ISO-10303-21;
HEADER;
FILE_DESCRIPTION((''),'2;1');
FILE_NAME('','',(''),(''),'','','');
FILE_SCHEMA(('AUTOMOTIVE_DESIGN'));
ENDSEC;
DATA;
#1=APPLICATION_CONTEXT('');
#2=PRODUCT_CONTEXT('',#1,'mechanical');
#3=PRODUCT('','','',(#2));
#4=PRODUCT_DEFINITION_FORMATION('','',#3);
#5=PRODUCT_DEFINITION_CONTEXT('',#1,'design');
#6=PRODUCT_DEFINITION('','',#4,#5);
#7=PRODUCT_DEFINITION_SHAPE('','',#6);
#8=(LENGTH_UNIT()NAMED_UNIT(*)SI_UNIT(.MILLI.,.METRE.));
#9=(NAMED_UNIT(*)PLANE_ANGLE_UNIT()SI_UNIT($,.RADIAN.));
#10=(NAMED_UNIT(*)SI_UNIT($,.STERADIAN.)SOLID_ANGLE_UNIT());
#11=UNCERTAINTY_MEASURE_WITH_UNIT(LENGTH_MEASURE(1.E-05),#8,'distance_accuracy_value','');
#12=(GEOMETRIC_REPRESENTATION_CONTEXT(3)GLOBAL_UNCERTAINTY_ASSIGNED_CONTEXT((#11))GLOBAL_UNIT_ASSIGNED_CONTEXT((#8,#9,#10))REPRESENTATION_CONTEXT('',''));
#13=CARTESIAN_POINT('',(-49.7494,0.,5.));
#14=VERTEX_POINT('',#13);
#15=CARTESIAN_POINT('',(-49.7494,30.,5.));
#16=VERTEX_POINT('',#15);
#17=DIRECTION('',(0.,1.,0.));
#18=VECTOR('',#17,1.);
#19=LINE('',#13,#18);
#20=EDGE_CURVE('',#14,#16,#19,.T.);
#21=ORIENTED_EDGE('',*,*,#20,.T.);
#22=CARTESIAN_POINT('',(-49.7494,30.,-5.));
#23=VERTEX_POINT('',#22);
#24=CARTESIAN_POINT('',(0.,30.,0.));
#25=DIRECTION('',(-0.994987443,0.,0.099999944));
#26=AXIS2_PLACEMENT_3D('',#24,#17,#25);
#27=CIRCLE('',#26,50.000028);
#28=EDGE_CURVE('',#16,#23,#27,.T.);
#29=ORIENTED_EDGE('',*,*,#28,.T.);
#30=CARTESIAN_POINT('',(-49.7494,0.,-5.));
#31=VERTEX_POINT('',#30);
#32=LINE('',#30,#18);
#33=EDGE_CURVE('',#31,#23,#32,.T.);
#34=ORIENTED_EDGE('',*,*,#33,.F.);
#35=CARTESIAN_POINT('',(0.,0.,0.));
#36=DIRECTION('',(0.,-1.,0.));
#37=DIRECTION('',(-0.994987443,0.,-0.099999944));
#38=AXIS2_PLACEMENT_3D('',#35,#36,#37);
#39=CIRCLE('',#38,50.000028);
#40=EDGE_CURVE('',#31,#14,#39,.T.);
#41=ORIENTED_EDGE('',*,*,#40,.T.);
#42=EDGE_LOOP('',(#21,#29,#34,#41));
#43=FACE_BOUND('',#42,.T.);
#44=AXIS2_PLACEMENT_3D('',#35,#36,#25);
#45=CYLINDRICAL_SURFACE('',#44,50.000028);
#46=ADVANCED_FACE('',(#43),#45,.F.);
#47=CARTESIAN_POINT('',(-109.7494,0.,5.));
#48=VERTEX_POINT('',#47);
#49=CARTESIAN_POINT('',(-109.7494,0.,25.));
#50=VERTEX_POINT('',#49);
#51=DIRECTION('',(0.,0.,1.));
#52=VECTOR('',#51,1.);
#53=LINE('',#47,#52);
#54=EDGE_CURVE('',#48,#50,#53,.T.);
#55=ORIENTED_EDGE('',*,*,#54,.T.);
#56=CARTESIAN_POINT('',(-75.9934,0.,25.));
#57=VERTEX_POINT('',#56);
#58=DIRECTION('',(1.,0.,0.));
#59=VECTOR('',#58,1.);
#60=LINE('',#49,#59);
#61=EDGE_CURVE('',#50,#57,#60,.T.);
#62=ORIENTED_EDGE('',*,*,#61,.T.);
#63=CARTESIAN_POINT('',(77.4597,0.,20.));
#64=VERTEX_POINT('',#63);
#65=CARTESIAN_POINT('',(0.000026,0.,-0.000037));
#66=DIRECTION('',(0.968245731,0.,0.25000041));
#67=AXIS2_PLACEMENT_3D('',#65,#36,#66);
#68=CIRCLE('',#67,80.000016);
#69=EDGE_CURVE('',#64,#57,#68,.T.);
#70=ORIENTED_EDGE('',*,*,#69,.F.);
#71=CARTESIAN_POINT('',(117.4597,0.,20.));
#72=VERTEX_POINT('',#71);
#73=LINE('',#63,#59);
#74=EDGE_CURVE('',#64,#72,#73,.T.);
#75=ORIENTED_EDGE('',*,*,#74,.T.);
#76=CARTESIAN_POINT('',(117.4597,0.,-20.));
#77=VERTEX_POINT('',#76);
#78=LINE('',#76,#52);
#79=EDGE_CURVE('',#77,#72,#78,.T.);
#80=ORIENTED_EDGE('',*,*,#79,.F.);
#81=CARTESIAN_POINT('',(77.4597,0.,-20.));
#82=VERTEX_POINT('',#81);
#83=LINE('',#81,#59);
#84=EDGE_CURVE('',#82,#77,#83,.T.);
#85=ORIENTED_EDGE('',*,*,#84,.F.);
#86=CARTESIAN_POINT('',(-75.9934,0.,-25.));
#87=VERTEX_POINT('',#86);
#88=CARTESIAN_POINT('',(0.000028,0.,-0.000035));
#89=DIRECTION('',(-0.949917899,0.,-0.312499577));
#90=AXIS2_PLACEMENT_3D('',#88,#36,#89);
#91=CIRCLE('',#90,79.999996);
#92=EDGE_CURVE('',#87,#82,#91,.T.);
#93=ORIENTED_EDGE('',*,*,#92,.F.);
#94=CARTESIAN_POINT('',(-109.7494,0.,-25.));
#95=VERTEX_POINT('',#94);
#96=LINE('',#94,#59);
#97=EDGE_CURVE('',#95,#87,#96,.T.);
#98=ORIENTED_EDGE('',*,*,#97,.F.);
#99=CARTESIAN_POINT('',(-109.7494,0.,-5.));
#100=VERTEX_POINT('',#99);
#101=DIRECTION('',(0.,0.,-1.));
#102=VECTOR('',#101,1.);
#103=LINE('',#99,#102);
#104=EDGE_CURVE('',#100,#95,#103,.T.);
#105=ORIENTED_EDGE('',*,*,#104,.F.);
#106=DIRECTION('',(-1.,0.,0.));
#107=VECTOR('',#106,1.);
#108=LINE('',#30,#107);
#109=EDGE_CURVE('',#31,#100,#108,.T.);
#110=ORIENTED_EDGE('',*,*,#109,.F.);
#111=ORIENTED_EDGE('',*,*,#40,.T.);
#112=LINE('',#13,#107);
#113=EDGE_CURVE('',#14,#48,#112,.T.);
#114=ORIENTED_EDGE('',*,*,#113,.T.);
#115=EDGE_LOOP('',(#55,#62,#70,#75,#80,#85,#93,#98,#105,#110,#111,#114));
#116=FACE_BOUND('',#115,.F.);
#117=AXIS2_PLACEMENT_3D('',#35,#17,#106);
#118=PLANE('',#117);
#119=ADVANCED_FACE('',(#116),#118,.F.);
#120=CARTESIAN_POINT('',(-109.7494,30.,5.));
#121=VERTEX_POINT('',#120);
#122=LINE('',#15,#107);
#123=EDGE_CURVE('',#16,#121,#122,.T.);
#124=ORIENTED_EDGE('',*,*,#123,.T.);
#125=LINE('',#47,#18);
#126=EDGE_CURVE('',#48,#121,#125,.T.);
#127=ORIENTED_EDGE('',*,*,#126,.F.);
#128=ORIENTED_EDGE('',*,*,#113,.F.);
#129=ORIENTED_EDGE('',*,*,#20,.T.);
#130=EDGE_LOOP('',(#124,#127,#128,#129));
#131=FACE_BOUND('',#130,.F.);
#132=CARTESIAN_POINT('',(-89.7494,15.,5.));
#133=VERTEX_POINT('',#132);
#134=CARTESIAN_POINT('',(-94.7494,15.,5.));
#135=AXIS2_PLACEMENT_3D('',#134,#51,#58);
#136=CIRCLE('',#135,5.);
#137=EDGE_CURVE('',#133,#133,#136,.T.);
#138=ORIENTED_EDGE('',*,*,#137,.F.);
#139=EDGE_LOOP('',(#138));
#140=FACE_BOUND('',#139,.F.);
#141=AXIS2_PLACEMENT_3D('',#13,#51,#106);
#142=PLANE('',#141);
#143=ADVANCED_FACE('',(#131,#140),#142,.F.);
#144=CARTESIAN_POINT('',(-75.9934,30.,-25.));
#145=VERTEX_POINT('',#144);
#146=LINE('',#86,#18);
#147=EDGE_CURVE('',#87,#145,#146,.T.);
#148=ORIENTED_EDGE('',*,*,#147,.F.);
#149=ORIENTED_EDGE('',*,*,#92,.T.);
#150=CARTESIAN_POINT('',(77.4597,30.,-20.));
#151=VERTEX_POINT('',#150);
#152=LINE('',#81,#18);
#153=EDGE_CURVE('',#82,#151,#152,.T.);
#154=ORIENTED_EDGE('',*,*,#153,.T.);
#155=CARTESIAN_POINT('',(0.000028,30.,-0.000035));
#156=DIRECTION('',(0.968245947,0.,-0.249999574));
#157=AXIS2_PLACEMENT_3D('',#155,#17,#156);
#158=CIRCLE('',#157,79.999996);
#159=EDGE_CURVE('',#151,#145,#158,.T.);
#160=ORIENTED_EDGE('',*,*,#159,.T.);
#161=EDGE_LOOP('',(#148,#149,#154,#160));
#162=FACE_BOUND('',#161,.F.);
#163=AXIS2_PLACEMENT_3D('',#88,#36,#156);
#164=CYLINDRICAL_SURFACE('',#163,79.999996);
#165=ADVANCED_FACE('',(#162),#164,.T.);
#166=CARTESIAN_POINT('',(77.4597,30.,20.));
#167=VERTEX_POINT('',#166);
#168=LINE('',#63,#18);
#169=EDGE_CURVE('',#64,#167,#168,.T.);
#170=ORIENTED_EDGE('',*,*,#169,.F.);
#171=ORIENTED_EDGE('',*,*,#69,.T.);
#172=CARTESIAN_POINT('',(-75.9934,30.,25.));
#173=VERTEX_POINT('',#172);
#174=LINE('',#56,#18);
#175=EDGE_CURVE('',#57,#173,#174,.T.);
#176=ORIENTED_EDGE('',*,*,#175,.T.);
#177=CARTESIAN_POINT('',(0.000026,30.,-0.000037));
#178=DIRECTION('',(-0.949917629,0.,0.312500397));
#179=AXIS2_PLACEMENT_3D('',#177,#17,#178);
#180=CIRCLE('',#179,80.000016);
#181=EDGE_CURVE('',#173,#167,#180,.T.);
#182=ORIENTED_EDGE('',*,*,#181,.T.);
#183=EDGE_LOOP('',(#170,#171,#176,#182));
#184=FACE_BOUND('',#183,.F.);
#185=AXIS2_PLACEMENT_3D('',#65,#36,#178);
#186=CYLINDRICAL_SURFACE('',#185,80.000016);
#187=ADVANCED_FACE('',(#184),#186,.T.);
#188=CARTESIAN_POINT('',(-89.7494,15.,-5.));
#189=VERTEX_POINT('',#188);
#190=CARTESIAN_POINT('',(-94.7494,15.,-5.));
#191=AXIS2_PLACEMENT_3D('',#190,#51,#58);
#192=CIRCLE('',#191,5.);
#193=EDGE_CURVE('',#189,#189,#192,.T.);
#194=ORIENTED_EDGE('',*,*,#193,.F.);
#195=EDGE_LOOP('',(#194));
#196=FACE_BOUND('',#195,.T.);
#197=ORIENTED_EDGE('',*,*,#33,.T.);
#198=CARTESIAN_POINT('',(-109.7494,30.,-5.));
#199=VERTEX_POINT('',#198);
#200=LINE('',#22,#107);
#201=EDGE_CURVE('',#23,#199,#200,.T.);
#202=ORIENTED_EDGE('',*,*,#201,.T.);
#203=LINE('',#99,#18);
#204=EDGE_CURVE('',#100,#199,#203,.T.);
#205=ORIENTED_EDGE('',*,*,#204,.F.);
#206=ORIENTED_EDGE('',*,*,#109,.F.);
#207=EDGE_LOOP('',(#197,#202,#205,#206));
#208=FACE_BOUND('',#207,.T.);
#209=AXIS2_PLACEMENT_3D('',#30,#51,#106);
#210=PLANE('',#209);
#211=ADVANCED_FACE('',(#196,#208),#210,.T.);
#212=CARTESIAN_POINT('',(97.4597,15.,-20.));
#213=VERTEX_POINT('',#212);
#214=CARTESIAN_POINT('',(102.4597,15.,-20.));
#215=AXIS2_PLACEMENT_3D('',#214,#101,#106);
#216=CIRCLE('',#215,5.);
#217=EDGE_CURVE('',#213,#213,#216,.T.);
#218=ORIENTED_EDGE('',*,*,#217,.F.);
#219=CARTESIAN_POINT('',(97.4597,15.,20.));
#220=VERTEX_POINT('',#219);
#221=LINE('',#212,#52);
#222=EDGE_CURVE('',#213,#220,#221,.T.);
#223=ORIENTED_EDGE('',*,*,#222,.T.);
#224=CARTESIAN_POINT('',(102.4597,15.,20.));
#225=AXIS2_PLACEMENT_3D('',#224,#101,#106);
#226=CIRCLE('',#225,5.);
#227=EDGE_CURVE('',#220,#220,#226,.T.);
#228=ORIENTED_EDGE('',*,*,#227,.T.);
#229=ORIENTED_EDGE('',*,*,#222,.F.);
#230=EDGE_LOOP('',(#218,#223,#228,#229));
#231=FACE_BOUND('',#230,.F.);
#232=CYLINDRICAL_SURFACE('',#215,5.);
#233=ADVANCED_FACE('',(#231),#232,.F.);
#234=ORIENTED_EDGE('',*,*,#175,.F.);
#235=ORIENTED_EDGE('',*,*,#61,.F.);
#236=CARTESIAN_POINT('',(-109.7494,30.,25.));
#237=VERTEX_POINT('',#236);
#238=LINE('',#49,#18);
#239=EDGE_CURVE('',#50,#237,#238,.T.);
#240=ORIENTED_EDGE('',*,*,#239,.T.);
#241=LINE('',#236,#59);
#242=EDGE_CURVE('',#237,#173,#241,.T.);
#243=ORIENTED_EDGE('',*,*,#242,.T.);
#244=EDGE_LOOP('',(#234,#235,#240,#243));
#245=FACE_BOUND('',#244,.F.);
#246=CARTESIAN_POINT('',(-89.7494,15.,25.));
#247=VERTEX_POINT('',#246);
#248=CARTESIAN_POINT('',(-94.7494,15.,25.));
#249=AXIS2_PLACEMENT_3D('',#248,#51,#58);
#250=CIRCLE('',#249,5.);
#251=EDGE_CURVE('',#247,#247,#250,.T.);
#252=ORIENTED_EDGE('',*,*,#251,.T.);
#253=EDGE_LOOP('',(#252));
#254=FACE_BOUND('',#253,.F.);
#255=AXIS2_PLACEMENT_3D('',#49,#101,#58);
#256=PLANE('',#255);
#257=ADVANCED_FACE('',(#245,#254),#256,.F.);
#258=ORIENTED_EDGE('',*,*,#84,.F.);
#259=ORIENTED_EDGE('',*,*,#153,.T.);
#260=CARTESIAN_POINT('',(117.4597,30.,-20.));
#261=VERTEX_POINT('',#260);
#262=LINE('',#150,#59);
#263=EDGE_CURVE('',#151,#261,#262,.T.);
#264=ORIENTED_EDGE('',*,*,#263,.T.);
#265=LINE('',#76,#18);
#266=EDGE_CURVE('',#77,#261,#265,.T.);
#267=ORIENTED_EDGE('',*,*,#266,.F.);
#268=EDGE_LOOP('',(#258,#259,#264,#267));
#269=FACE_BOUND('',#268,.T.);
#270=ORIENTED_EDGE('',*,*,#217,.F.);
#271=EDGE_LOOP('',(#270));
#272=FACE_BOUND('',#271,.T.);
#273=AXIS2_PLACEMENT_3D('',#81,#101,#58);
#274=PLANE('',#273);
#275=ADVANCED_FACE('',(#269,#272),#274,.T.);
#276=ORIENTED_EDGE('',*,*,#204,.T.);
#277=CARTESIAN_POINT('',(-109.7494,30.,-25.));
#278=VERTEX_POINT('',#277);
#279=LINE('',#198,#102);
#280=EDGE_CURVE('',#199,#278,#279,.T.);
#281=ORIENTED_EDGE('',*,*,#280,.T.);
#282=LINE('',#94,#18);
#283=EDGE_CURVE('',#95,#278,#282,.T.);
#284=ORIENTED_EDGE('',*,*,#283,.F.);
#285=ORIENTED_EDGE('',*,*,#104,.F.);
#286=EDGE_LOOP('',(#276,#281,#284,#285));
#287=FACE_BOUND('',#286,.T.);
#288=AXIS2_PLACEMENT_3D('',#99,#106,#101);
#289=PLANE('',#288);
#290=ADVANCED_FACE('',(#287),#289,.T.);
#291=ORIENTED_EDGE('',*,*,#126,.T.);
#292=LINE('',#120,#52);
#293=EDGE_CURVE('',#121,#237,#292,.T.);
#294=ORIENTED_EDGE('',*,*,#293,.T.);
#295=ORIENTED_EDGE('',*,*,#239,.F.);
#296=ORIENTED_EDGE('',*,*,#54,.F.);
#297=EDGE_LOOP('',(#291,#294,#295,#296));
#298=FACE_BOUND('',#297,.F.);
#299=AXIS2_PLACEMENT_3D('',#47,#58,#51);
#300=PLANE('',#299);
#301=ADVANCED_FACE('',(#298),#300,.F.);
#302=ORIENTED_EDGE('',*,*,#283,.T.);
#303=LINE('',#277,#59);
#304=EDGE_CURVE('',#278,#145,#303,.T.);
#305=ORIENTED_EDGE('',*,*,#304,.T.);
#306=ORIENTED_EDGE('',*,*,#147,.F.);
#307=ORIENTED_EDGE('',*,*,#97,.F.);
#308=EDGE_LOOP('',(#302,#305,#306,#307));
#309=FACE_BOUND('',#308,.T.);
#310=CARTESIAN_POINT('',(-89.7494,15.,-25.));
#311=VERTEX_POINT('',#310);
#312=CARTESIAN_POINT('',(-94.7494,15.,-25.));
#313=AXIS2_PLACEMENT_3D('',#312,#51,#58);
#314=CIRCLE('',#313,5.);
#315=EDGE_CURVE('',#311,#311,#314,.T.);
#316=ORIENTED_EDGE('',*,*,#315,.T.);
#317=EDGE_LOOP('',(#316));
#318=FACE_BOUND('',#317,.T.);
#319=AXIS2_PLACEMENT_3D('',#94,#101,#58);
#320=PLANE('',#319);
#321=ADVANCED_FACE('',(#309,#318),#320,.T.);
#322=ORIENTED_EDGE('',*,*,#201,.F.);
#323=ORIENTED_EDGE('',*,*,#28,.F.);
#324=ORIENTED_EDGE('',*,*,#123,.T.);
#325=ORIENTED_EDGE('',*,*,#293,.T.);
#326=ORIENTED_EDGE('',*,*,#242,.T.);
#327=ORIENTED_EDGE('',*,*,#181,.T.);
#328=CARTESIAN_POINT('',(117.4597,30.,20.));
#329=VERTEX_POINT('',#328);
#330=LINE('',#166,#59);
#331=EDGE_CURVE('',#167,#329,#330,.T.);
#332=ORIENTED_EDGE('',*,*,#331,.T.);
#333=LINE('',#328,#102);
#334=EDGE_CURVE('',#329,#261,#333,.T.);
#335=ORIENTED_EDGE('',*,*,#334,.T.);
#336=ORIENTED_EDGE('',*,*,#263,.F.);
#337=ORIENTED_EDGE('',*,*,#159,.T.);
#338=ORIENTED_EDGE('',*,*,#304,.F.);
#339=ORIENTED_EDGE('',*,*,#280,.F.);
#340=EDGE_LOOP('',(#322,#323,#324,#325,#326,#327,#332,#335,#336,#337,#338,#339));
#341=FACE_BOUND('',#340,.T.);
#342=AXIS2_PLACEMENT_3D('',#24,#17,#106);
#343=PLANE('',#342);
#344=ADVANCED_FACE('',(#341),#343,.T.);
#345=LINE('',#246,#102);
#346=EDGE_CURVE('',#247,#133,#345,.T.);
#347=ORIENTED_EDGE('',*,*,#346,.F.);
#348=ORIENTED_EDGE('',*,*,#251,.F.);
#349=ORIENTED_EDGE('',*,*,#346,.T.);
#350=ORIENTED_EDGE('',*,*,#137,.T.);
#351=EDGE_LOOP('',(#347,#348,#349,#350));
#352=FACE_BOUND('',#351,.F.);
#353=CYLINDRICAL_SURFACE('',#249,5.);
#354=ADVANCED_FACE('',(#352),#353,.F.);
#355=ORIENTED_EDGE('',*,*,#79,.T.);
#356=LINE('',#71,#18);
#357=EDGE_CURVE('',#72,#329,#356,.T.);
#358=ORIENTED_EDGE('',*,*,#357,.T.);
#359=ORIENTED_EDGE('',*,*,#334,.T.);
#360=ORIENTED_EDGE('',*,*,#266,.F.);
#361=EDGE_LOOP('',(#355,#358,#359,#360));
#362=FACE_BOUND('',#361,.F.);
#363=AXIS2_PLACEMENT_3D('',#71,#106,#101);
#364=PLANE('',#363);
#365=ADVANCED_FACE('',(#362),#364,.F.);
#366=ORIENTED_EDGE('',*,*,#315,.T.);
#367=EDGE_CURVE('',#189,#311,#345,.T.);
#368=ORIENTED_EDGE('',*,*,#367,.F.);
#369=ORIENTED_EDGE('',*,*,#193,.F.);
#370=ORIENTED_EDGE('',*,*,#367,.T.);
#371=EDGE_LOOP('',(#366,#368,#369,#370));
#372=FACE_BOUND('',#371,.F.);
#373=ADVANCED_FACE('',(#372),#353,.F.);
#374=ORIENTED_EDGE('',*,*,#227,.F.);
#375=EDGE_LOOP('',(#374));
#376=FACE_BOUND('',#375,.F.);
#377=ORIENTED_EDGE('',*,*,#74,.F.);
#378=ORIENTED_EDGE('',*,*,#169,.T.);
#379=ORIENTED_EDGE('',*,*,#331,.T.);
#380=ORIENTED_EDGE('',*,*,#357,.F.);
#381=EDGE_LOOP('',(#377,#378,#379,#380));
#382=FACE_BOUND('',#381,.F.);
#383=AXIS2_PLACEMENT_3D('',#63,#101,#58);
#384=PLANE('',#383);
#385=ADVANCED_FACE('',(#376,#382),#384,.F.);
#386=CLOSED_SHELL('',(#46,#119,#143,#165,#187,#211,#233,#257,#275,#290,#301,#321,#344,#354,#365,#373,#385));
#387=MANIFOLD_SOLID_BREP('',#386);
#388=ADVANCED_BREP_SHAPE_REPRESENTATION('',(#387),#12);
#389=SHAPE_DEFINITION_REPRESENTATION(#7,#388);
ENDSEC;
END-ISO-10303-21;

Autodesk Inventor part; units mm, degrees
ref_plane "YZ Plane" through (0, 0, 0) normal (1, 0, 0) x (0, 1, 0)
ref_plane "XZ Plane" through (0, 0, 0) normal (0, 1, 0) x (-1, 0, 0)
ref_plane "XY Plane" through (0, 0, 0) normal (0, 0, 1) x (1, 0, 0)
sketch "Block1" plane through (0, 0, 0) normal (0, 0, 1) x (1, 0, 0)
  arc A0 (-75.921, -24.9) -> (77.3822, -19.9) centre (0, 0) ccw
  line L0 (-75.921, -24.9) -> (-109.6494, -24.9)
  line L1 (-109.6494, -24.9) -> (-109.6494, -5.1)
  line L2 (-109.6494, -5.1) -> (-49.8397, -5.1)
  arc A1 (-49.8397, -5.1) -> (-49.8397, 5.1) centre (0, 0) ccw
  line L3 (-49.8397, 5.1) -> (-109.6494, 5.1)
  line L4 (-109.6494, 5.1) -> (-109.6494, 24.9)
  line L5 (-109.6494, 24.9) -> (-75.921, 24.9)
  arc A2 (77.3822, 19.9) -> (-75.921, 24.9) centre (0, 0) ccw
  line L6 (77.3822, 19.9) -> (117.3597, 19.9)
  line L7 (117.3597, 19.9) -> (117.3597, -19.9)
  line L8 (117.3597, -19.9) -> (77.3822, -19.9)
  point P0 (-23.1258, 0)
sketch "Sketch1" plane through (0, 0, 0) normal (0, 1, 0) x (-1, 0, 0)
  arc A0 (49.7494, 5) -> (49.7494, -5) centre (0, 0) ccw
  line L0 (49.7494, 5) -> (109.7494, 5)
  line L1 (109.7494, 5) -> (109.7494, 25)
  line L2 (155.1912, 0) -> (-162.9015, 0) projected
  line L3 (0, -115.4406) -> (0, 115.4406) projected
  line L4 (109.7494, 25) -> (75.9934, 25)
  line L5 (49.7494, -5) -> (109.7494, -5)
  line L6 (109.7494, -5) -> (109.7494, -25)
  line L7 (109.7494, -25) -> (75.9934, -25)
  line L8 (-77.4597, 20) -> (-117.4597, 20)
  line L9 (-117.4597, 20) -> (-117.4597, 0)
  line L10 (-77.4597, -20) -> (-117.4597, -20)
  line L11 (-117.4597, -20) -> (-117.4597, 0)
  arc A1 (75.9934, 25) -> (-77.4597, 20) centre (0, 0) ccw
  arc A2 (-77.4597, -20) -> (75.9934, -25) centre (0, 0) ccw
  point P0 (43.3013, 25)
  point P1 (43.3013, -25)
  dimension "d0" = 100
  dimension "d4" = 5
  dimension "d5" = 20
  dimension "d13" = 20
  dimension "d14" = 40
  dimension "d20" = 60
extrude "Extrusion1" add sketch "Sketch1" along normal blind 30 contours A0 L3 A1 L4 L1 L0 | A0 L2 L9 L8 A1 L3 | A0 L3 A2 L10 L11 L2 | A0 L5 L6 L7 A2 L3
sketch "Sketch3" plane through (-109.7494, 0, 25) normal (0, 0, 1) x (1, 0, 0)
  circle A0 centre (15, 15) radius 5
  line L0 (0, 0) -> (33.756, 0) projected
  line L1 (0, 0) -> (0, 30) projected
  point P0 (109.7494, 0)
  dimension "d8" = 10
  dimension "d9" = 15
  dimension "d10" = 15
extrude "Extrusion2" cut sketch "Sketch3" against normal through all
sketch "Sketch4" plane through (117.4597, 0, -20) normal (0, 0, -1) x (-1, 0, 0)
  circle A0 centre (15, 15) radius 5
  line L0 (0, 0) -> (0, 30) projected
  line L1 (0, 30) -> (40, 30) projected
  point P0 (117.4597, 0)
  dimension "d15" = 10
  dimension "d16" = 15
  dimension "d17" = 15
extrude "Extrusion3" cut sketch "Sketch4" against normal through all
sketch "Sketch5" plane through (0, 0, 0) normal (0, -1, 0) x (1, 0, 0)
  line L0 (117.4597, 20) -> (117.4597, -20) projected
  line L1 (77.4597, 20) -> (117.4597, 20) projected
  arc A0 (77.4597, 20) -> (-75.9934, 25) centre (0, 0) ccw projected
  line L2 (-109.7494, 25) -> (-75.9934, 25) projected
  line L3 (-109.7494, 5) -> (-109.7494, 25) projected
  line L4 (-49.7494, 5) -> (-109.7494, 5) projected
  arc A1 (-49.7494, -5) -> (-49.7494, 5) centre (0, 0) ccw projected
  line L5 (-109.7494, -5) -> (-49.7494, -5) projected
  line L6 (-109.7494, -25) -> (-109.7494, -5) projected
  line L7 (-75.9934, -25) -> (-109.7494, -25) projected
  arc A2 (-75.9934, -25) -> (77.4597, -20) centre (0, 0) ccw projected
  line L8 (117.4597, -20) -> (77.4597, -20) projected
sketch "DXF" plane through (0, 0, 0) normal (0, 1, 0) x (-1, 0, 0)
  point P0 (0, 0)
equation "\"d0\" = Grip"
equation "\"Grip\" = 100"
properties part number "mallet_holder"
